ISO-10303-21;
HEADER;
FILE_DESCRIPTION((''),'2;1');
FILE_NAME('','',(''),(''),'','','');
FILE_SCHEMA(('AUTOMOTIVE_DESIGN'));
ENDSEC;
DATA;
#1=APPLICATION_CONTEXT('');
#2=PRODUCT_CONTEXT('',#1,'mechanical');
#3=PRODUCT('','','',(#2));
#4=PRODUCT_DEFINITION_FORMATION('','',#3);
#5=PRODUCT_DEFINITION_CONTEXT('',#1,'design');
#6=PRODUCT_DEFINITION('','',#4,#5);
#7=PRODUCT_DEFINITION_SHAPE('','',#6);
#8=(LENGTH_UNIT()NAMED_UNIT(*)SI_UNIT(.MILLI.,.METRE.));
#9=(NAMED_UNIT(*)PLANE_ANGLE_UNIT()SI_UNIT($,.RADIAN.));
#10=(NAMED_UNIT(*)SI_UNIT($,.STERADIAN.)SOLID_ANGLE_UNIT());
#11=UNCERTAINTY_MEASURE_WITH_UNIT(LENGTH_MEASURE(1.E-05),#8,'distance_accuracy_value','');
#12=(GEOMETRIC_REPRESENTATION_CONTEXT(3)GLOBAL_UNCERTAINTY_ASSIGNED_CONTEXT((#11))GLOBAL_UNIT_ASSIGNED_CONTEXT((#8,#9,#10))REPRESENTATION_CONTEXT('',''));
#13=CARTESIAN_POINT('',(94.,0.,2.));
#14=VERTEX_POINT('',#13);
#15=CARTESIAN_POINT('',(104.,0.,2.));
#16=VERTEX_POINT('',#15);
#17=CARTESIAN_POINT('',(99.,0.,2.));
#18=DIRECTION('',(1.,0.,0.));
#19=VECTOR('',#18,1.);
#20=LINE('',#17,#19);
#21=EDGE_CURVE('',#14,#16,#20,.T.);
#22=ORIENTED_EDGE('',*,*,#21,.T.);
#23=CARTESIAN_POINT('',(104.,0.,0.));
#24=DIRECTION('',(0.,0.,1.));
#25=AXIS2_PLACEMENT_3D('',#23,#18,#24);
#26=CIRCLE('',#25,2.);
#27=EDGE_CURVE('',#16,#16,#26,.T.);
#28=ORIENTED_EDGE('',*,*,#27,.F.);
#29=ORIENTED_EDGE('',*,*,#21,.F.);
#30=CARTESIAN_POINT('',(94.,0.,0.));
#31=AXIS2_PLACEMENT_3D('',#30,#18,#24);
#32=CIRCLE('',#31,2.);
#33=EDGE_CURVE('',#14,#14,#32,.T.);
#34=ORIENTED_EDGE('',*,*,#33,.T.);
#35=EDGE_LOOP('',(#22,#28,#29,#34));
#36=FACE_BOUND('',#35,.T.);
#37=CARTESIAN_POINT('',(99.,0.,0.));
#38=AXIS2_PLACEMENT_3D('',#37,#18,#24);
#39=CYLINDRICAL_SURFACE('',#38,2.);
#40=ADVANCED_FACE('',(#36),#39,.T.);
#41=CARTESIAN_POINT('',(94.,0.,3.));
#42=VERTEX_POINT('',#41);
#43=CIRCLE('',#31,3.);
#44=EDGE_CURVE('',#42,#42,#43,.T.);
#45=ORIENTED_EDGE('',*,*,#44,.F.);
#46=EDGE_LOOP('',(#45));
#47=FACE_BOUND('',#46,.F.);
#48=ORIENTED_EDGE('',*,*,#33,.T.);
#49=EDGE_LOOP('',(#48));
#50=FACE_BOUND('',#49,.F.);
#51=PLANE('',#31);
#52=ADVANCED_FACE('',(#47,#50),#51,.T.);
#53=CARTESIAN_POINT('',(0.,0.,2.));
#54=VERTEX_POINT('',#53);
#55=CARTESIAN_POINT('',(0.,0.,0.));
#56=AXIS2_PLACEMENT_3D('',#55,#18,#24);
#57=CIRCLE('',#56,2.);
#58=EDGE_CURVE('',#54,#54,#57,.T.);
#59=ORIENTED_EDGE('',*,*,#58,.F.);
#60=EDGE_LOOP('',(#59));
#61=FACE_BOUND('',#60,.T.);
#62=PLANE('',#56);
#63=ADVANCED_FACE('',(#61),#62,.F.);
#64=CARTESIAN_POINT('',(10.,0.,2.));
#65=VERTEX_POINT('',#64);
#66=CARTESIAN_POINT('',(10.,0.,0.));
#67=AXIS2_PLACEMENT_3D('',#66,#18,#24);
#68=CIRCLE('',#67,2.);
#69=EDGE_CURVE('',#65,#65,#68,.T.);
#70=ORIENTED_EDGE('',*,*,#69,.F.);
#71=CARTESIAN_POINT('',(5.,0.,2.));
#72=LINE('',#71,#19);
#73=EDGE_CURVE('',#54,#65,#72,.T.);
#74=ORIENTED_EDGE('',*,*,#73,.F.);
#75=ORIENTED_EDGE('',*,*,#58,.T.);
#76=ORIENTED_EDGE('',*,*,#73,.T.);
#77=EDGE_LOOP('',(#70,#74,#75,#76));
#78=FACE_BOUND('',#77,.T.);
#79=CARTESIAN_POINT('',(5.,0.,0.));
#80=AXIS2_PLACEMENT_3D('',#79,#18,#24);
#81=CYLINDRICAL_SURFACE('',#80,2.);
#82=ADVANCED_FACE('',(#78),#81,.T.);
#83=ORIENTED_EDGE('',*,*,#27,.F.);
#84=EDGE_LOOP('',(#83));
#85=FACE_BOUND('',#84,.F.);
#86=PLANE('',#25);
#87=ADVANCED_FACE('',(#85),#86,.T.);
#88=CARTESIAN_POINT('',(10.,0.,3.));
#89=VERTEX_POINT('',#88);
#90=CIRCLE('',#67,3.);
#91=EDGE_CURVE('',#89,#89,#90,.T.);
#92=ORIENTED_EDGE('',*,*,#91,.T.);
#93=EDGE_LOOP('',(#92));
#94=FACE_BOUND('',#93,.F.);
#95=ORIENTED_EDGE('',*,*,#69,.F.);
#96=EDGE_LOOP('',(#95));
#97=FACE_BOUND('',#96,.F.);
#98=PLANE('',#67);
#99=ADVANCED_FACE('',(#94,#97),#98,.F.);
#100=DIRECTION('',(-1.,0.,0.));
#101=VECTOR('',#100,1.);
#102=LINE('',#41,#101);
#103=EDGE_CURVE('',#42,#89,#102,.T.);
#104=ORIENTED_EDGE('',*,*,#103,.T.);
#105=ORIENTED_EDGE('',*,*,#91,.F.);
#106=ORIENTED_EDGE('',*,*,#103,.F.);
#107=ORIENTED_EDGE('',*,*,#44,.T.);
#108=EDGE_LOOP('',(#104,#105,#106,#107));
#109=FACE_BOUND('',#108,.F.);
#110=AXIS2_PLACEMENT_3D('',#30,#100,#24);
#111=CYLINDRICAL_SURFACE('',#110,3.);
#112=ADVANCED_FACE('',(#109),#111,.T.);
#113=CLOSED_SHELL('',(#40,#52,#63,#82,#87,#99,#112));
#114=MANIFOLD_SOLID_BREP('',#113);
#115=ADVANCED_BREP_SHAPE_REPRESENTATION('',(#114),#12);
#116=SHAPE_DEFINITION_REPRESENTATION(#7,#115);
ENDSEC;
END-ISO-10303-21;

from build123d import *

# Parameters (mm, degrees)
SKETCH1_W = 10
SKETCH1_H = 2


with BuildPart() as part:
    # Sketch1 → Revolve1 (revolve)
    with BuildSketch(Plane.XY, mode=Mode.PRIVATE) as revolve1_sk:
        with Locations((5, 1)):
            Rectangle(SKETCH1_W, SKETCH1_H)
        Polygon((10, 2), (10, 0), (94, 0), (94, 2), (94, 3), (10, 3), align=None)
        with Locations((99, 1)):
            Rectangle(SKETCH1_W, SKETCH1_H)
    revolve(revolve1_sk.sketch.rotate(Axis((-71.687606112, 0, 0), (1, 0, 0)), 90), axis=Axis((-71.687606112, 0, 0), (1, 0, 0)))


solid = part.part
